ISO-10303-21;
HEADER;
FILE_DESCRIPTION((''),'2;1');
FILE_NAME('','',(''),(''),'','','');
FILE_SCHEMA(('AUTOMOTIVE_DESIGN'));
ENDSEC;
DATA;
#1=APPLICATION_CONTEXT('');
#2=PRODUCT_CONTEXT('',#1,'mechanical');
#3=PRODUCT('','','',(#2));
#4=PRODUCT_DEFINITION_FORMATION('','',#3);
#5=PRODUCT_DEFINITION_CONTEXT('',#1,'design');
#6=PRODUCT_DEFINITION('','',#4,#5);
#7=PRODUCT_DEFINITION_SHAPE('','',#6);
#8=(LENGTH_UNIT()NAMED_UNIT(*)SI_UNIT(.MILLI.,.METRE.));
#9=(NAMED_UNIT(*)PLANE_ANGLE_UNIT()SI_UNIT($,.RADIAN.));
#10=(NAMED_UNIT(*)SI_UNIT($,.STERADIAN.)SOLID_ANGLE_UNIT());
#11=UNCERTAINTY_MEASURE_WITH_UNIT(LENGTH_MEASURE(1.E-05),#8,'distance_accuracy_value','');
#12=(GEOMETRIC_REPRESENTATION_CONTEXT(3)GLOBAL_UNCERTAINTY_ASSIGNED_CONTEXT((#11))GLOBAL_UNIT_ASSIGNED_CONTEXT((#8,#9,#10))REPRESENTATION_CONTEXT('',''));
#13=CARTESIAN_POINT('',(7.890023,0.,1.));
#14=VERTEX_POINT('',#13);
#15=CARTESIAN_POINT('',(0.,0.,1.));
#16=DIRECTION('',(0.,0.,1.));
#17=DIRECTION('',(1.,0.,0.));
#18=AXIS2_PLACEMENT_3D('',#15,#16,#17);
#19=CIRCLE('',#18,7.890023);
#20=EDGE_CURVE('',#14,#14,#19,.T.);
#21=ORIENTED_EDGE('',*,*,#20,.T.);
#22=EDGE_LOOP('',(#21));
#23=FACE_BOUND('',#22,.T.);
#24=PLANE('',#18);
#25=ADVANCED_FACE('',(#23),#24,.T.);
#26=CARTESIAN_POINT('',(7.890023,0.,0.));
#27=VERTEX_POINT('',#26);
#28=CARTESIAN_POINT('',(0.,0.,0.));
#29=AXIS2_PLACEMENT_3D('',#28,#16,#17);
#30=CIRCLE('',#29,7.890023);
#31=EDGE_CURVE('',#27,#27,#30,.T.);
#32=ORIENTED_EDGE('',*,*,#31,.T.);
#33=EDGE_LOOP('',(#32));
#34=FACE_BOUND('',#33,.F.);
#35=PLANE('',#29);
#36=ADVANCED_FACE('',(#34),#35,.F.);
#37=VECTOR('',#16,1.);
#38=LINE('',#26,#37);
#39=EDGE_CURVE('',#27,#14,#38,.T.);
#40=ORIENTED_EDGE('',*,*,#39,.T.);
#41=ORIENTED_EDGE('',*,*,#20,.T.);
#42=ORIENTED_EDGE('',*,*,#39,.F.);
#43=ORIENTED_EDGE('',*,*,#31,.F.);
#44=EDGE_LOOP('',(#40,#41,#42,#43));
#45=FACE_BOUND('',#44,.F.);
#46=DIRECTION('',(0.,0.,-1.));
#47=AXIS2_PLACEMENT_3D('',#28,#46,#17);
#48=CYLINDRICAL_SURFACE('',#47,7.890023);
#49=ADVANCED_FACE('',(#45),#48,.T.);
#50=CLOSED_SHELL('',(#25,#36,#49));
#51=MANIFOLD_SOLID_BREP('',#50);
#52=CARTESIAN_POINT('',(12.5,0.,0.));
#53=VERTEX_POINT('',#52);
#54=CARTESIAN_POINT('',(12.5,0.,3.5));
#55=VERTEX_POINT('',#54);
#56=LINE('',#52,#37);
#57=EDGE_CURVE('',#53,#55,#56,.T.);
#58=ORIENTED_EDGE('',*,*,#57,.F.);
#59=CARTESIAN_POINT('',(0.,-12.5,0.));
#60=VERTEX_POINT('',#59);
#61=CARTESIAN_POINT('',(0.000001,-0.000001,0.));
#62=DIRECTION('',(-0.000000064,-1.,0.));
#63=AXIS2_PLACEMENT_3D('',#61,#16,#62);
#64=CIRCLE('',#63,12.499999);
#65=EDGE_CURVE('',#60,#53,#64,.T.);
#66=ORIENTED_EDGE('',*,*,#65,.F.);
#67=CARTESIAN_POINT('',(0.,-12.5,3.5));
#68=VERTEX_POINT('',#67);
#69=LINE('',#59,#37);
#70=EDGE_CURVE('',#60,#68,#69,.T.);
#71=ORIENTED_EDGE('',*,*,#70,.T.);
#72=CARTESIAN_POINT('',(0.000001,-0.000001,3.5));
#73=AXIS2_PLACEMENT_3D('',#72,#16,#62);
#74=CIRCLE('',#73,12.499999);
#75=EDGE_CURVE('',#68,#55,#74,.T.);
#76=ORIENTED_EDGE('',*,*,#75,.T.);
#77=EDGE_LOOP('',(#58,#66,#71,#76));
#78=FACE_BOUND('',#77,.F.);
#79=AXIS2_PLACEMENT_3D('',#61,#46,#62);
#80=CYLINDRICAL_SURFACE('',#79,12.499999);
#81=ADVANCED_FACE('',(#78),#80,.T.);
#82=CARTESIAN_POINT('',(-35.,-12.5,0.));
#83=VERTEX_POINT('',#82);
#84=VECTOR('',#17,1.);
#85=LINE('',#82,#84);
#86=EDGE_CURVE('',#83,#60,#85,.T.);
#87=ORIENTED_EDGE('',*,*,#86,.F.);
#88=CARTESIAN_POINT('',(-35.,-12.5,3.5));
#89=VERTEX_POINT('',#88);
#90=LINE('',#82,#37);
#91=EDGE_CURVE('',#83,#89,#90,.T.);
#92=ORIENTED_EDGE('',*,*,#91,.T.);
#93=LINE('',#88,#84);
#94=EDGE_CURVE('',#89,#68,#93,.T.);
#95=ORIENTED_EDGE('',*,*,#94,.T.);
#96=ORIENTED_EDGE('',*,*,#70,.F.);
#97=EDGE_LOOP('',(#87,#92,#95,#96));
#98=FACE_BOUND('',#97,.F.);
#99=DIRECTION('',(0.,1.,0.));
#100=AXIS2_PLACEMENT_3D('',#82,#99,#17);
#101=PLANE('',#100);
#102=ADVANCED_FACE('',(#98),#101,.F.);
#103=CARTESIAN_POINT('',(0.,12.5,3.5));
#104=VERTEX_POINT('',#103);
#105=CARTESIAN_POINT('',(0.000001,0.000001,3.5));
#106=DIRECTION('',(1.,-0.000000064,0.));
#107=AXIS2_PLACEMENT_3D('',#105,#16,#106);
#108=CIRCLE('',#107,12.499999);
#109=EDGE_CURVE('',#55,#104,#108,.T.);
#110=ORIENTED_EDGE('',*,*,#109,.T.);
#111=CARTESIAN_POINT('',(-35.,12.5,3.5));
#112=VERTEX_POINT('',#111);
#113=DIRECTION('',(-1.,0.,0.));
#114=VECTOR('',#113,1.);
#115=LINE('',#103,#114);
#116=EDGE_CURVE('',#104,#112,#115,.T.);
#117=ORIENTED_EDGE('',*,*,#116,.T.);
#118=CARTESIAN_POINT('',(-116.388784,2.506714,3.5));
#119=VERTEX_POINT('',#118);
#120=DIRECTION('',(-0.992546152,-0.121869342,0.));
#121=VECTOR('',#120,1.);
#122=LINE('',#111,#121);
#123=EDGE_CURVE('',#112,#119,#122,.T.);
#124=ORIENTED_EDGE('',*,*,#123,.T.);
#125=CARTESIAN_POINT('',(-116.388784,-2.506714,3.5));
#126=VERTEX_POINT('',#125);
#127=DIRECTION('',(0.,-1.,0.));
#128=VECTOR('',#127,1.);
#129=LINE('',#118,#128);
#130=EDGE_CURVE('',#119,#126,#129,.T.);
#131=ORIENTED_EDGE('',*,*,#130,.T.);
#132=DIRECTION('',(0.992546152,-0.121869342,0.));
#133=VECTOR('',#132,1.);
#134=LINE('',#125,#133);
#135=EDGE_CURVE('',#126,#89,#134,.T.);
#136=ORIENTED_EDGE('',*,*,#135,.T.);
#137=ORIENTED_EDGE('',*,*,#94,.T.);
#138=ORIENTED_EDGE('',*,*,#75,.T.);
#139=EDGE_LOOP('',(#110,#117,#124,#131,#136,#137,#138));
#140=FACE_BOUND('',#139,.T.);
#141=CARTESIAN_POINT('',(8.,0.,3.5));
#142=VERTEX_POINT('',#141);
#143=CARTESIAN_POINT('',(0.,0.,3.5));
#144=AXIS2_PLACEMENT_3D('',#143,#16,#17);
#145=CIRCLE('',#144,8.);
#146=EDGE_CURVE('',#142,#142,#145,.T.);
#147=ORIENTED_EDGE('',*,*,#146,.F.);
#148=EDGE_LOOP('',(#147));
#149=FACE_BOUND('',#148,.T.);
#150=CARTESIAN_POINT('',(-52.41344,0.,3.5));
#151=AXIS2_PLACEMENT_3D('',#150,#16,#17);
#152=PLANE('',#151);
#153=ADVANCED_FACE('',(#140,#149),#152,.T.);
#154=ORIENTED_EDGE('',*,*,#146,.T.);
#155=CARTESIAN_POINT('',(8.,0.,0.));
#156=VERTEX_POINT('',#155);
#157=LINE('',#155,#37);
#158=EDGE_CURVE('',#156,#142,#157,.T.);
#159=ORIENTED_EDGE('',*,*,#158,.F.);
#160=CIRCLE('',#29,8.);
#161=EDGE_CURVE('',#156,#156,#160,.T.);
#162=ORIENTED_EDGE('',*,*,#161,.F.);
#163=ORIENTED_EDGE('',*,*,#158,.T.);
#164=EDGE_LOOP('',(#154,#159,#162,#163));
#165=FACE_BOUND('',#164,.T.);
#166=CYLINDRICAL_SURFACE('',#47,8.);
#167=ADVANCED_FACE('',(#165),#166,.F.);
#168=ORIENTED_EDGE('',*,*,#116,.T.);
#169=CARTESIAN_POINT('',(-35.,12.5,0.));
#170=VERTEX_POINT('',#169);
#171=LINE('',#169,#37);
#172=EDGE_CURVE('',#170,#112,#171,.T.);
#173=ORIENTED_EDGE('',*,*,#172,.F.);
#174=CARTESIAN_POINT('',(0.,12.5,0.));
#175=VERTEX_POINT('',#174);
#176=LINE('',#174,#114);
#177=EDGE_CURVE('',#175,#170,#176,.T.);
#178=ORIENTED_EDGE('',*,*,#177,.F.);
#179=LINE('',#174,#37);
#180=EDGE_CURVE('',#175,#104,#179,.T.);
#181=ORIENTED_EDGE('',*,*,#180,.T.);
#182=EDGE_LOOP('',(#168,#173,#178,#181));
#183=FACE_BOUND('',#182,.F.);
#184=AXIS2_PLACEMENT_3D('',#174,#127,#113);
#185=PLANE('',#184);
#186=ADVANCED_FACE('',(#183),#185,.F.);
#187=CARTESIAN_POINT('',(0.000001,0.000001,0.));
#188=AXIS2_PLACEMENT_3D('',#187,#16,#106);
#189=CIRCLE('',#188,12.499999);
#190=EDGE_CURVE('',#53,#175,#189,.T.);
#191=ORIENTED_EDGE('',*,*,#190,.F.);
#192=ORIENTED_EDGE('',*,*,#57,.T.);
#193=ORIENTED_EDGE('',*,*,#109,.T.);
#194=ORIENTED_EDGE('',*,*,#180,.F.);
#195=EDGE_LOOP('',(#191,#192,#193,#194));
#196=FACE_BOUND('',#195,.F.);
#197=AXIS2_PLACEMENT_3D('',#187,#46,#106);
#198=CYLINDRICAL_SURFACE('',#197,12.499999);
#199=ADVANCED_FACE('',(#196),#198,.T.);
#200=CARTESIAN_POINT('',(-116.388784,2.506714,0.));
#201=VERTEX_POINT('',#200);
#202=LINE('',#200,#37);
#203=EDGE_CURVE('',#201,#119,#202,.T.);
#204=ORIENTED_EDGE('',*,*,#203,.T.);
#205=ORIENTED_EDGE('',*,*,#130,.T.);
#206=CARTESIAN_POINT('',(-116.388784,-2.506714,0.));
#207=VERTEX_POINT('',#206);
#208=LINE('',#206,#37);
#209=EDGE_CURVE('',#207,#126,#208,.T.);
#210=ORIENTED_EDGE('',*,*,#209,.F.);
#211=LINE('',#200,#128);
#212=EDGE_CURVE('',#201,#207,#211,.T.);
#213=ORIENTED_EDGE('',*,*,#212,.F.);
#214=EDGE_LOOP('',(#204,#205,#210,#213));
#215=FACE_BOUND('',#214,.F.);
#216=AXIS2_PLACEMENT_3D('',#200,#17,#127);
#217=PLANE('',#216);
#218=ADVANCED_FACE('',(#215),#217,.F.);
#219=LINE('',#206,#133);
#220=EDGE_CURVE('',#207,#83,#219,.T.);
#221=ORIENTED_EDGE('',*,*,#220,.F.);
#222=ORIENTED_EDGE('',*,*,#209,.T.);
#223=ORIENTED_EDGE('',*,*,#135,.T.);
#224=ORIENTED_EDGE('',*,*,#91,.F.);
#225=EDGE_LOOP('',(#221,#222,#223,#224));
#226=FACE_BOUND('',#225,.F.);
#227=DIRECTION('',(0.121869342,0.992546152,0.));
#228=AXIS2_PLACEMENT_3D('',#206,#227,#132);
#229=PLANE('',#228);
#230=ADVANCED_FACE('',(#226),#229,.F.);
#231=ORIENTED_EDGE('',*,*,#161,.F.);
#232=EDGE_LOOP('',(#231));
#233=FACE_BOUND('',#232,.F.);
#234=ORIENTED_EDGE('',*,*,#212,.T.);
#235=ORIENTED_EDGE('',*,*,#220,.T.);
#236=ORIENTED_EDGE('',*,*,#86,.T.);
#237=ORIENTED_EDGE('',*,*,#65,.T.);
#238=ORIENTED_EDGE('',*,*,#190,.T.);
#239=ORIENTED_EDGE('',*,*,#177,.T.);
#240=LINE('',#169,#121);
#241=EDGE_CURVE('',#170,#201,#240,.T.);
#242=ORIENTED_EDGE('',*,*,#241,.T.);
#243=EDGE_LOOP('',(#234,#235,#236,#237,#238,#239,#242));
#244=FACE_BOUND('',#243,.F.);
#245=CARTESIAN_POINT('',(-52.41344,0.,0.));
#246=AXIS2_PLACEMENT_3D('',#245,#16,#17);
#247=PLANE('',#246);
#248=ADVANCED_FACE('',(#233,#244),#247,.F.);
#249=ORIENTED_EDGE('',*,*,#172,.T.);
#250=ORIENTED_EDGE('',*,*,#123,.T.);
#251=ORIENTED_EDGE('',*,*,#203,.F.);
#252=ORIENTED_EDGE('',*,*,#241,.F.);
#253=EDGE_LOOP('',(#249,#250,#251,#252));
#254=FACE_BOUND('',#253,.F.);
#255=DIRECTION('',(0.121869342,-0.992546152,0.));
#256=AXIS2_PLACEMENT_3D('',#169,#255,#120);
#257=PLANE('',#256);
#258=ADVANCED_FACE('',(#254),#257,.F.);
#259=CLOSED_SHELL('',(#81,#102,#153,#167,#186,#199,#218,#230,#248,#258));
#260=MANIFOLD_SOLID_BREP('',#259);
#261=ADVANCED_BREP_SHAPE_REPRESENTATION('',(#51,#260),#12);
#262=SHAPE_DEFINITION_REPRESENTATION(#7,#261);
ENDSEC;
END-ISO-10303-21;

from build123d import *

# Parameters (mm, degrees)
F0_R     = 8
F1_DEPTH = 3.5
F2_R     = 7.890023
F3_DEPTH = 1


with BuildPart() as f1:
    # F0 (on Top) → F1 (new body)
    with BuildSketch(Plane.XY):
        with BuildLine():
            ThreePointArc((0, -12.5), (-12.5, 0), (0, 12.5))
            Line((0, 12.5), (-35, 12.5))
            Line((-35, 12.5), (-116.388784, 2.506714))
            Line((-116.388784, 2.506714), (-116.388784, -2.506714))
            Line((-116.388784, -2.506714), (-35, -12.5))
            Line((-35, -12.5), (0, -12.5))
        make_face()
        with BuildLine():
            ThreePointArc((0, -12.5), (8.838835, -8.838835), (12.5, 0))
            ThreePointArc((12.5, 0), (8.838835, 8.838835), (0, 12.5))
            ThreePointArc((0, 12.5), (-12.5, 0), (0, -12.5))
        make_face()
        Circle(F0_R, mode=Mode.SUBTRACT)
    extrude(amount=F1_DEPTH)


with BuildPart() as f3:
    # F2 (on Top) → F3 (new body)
    with BuildSketch(Plane.XY):
        Circle(F2_R)
    extrude(amount=F3_DEPTH)


solid = Compound([f1.part, f3.part])
